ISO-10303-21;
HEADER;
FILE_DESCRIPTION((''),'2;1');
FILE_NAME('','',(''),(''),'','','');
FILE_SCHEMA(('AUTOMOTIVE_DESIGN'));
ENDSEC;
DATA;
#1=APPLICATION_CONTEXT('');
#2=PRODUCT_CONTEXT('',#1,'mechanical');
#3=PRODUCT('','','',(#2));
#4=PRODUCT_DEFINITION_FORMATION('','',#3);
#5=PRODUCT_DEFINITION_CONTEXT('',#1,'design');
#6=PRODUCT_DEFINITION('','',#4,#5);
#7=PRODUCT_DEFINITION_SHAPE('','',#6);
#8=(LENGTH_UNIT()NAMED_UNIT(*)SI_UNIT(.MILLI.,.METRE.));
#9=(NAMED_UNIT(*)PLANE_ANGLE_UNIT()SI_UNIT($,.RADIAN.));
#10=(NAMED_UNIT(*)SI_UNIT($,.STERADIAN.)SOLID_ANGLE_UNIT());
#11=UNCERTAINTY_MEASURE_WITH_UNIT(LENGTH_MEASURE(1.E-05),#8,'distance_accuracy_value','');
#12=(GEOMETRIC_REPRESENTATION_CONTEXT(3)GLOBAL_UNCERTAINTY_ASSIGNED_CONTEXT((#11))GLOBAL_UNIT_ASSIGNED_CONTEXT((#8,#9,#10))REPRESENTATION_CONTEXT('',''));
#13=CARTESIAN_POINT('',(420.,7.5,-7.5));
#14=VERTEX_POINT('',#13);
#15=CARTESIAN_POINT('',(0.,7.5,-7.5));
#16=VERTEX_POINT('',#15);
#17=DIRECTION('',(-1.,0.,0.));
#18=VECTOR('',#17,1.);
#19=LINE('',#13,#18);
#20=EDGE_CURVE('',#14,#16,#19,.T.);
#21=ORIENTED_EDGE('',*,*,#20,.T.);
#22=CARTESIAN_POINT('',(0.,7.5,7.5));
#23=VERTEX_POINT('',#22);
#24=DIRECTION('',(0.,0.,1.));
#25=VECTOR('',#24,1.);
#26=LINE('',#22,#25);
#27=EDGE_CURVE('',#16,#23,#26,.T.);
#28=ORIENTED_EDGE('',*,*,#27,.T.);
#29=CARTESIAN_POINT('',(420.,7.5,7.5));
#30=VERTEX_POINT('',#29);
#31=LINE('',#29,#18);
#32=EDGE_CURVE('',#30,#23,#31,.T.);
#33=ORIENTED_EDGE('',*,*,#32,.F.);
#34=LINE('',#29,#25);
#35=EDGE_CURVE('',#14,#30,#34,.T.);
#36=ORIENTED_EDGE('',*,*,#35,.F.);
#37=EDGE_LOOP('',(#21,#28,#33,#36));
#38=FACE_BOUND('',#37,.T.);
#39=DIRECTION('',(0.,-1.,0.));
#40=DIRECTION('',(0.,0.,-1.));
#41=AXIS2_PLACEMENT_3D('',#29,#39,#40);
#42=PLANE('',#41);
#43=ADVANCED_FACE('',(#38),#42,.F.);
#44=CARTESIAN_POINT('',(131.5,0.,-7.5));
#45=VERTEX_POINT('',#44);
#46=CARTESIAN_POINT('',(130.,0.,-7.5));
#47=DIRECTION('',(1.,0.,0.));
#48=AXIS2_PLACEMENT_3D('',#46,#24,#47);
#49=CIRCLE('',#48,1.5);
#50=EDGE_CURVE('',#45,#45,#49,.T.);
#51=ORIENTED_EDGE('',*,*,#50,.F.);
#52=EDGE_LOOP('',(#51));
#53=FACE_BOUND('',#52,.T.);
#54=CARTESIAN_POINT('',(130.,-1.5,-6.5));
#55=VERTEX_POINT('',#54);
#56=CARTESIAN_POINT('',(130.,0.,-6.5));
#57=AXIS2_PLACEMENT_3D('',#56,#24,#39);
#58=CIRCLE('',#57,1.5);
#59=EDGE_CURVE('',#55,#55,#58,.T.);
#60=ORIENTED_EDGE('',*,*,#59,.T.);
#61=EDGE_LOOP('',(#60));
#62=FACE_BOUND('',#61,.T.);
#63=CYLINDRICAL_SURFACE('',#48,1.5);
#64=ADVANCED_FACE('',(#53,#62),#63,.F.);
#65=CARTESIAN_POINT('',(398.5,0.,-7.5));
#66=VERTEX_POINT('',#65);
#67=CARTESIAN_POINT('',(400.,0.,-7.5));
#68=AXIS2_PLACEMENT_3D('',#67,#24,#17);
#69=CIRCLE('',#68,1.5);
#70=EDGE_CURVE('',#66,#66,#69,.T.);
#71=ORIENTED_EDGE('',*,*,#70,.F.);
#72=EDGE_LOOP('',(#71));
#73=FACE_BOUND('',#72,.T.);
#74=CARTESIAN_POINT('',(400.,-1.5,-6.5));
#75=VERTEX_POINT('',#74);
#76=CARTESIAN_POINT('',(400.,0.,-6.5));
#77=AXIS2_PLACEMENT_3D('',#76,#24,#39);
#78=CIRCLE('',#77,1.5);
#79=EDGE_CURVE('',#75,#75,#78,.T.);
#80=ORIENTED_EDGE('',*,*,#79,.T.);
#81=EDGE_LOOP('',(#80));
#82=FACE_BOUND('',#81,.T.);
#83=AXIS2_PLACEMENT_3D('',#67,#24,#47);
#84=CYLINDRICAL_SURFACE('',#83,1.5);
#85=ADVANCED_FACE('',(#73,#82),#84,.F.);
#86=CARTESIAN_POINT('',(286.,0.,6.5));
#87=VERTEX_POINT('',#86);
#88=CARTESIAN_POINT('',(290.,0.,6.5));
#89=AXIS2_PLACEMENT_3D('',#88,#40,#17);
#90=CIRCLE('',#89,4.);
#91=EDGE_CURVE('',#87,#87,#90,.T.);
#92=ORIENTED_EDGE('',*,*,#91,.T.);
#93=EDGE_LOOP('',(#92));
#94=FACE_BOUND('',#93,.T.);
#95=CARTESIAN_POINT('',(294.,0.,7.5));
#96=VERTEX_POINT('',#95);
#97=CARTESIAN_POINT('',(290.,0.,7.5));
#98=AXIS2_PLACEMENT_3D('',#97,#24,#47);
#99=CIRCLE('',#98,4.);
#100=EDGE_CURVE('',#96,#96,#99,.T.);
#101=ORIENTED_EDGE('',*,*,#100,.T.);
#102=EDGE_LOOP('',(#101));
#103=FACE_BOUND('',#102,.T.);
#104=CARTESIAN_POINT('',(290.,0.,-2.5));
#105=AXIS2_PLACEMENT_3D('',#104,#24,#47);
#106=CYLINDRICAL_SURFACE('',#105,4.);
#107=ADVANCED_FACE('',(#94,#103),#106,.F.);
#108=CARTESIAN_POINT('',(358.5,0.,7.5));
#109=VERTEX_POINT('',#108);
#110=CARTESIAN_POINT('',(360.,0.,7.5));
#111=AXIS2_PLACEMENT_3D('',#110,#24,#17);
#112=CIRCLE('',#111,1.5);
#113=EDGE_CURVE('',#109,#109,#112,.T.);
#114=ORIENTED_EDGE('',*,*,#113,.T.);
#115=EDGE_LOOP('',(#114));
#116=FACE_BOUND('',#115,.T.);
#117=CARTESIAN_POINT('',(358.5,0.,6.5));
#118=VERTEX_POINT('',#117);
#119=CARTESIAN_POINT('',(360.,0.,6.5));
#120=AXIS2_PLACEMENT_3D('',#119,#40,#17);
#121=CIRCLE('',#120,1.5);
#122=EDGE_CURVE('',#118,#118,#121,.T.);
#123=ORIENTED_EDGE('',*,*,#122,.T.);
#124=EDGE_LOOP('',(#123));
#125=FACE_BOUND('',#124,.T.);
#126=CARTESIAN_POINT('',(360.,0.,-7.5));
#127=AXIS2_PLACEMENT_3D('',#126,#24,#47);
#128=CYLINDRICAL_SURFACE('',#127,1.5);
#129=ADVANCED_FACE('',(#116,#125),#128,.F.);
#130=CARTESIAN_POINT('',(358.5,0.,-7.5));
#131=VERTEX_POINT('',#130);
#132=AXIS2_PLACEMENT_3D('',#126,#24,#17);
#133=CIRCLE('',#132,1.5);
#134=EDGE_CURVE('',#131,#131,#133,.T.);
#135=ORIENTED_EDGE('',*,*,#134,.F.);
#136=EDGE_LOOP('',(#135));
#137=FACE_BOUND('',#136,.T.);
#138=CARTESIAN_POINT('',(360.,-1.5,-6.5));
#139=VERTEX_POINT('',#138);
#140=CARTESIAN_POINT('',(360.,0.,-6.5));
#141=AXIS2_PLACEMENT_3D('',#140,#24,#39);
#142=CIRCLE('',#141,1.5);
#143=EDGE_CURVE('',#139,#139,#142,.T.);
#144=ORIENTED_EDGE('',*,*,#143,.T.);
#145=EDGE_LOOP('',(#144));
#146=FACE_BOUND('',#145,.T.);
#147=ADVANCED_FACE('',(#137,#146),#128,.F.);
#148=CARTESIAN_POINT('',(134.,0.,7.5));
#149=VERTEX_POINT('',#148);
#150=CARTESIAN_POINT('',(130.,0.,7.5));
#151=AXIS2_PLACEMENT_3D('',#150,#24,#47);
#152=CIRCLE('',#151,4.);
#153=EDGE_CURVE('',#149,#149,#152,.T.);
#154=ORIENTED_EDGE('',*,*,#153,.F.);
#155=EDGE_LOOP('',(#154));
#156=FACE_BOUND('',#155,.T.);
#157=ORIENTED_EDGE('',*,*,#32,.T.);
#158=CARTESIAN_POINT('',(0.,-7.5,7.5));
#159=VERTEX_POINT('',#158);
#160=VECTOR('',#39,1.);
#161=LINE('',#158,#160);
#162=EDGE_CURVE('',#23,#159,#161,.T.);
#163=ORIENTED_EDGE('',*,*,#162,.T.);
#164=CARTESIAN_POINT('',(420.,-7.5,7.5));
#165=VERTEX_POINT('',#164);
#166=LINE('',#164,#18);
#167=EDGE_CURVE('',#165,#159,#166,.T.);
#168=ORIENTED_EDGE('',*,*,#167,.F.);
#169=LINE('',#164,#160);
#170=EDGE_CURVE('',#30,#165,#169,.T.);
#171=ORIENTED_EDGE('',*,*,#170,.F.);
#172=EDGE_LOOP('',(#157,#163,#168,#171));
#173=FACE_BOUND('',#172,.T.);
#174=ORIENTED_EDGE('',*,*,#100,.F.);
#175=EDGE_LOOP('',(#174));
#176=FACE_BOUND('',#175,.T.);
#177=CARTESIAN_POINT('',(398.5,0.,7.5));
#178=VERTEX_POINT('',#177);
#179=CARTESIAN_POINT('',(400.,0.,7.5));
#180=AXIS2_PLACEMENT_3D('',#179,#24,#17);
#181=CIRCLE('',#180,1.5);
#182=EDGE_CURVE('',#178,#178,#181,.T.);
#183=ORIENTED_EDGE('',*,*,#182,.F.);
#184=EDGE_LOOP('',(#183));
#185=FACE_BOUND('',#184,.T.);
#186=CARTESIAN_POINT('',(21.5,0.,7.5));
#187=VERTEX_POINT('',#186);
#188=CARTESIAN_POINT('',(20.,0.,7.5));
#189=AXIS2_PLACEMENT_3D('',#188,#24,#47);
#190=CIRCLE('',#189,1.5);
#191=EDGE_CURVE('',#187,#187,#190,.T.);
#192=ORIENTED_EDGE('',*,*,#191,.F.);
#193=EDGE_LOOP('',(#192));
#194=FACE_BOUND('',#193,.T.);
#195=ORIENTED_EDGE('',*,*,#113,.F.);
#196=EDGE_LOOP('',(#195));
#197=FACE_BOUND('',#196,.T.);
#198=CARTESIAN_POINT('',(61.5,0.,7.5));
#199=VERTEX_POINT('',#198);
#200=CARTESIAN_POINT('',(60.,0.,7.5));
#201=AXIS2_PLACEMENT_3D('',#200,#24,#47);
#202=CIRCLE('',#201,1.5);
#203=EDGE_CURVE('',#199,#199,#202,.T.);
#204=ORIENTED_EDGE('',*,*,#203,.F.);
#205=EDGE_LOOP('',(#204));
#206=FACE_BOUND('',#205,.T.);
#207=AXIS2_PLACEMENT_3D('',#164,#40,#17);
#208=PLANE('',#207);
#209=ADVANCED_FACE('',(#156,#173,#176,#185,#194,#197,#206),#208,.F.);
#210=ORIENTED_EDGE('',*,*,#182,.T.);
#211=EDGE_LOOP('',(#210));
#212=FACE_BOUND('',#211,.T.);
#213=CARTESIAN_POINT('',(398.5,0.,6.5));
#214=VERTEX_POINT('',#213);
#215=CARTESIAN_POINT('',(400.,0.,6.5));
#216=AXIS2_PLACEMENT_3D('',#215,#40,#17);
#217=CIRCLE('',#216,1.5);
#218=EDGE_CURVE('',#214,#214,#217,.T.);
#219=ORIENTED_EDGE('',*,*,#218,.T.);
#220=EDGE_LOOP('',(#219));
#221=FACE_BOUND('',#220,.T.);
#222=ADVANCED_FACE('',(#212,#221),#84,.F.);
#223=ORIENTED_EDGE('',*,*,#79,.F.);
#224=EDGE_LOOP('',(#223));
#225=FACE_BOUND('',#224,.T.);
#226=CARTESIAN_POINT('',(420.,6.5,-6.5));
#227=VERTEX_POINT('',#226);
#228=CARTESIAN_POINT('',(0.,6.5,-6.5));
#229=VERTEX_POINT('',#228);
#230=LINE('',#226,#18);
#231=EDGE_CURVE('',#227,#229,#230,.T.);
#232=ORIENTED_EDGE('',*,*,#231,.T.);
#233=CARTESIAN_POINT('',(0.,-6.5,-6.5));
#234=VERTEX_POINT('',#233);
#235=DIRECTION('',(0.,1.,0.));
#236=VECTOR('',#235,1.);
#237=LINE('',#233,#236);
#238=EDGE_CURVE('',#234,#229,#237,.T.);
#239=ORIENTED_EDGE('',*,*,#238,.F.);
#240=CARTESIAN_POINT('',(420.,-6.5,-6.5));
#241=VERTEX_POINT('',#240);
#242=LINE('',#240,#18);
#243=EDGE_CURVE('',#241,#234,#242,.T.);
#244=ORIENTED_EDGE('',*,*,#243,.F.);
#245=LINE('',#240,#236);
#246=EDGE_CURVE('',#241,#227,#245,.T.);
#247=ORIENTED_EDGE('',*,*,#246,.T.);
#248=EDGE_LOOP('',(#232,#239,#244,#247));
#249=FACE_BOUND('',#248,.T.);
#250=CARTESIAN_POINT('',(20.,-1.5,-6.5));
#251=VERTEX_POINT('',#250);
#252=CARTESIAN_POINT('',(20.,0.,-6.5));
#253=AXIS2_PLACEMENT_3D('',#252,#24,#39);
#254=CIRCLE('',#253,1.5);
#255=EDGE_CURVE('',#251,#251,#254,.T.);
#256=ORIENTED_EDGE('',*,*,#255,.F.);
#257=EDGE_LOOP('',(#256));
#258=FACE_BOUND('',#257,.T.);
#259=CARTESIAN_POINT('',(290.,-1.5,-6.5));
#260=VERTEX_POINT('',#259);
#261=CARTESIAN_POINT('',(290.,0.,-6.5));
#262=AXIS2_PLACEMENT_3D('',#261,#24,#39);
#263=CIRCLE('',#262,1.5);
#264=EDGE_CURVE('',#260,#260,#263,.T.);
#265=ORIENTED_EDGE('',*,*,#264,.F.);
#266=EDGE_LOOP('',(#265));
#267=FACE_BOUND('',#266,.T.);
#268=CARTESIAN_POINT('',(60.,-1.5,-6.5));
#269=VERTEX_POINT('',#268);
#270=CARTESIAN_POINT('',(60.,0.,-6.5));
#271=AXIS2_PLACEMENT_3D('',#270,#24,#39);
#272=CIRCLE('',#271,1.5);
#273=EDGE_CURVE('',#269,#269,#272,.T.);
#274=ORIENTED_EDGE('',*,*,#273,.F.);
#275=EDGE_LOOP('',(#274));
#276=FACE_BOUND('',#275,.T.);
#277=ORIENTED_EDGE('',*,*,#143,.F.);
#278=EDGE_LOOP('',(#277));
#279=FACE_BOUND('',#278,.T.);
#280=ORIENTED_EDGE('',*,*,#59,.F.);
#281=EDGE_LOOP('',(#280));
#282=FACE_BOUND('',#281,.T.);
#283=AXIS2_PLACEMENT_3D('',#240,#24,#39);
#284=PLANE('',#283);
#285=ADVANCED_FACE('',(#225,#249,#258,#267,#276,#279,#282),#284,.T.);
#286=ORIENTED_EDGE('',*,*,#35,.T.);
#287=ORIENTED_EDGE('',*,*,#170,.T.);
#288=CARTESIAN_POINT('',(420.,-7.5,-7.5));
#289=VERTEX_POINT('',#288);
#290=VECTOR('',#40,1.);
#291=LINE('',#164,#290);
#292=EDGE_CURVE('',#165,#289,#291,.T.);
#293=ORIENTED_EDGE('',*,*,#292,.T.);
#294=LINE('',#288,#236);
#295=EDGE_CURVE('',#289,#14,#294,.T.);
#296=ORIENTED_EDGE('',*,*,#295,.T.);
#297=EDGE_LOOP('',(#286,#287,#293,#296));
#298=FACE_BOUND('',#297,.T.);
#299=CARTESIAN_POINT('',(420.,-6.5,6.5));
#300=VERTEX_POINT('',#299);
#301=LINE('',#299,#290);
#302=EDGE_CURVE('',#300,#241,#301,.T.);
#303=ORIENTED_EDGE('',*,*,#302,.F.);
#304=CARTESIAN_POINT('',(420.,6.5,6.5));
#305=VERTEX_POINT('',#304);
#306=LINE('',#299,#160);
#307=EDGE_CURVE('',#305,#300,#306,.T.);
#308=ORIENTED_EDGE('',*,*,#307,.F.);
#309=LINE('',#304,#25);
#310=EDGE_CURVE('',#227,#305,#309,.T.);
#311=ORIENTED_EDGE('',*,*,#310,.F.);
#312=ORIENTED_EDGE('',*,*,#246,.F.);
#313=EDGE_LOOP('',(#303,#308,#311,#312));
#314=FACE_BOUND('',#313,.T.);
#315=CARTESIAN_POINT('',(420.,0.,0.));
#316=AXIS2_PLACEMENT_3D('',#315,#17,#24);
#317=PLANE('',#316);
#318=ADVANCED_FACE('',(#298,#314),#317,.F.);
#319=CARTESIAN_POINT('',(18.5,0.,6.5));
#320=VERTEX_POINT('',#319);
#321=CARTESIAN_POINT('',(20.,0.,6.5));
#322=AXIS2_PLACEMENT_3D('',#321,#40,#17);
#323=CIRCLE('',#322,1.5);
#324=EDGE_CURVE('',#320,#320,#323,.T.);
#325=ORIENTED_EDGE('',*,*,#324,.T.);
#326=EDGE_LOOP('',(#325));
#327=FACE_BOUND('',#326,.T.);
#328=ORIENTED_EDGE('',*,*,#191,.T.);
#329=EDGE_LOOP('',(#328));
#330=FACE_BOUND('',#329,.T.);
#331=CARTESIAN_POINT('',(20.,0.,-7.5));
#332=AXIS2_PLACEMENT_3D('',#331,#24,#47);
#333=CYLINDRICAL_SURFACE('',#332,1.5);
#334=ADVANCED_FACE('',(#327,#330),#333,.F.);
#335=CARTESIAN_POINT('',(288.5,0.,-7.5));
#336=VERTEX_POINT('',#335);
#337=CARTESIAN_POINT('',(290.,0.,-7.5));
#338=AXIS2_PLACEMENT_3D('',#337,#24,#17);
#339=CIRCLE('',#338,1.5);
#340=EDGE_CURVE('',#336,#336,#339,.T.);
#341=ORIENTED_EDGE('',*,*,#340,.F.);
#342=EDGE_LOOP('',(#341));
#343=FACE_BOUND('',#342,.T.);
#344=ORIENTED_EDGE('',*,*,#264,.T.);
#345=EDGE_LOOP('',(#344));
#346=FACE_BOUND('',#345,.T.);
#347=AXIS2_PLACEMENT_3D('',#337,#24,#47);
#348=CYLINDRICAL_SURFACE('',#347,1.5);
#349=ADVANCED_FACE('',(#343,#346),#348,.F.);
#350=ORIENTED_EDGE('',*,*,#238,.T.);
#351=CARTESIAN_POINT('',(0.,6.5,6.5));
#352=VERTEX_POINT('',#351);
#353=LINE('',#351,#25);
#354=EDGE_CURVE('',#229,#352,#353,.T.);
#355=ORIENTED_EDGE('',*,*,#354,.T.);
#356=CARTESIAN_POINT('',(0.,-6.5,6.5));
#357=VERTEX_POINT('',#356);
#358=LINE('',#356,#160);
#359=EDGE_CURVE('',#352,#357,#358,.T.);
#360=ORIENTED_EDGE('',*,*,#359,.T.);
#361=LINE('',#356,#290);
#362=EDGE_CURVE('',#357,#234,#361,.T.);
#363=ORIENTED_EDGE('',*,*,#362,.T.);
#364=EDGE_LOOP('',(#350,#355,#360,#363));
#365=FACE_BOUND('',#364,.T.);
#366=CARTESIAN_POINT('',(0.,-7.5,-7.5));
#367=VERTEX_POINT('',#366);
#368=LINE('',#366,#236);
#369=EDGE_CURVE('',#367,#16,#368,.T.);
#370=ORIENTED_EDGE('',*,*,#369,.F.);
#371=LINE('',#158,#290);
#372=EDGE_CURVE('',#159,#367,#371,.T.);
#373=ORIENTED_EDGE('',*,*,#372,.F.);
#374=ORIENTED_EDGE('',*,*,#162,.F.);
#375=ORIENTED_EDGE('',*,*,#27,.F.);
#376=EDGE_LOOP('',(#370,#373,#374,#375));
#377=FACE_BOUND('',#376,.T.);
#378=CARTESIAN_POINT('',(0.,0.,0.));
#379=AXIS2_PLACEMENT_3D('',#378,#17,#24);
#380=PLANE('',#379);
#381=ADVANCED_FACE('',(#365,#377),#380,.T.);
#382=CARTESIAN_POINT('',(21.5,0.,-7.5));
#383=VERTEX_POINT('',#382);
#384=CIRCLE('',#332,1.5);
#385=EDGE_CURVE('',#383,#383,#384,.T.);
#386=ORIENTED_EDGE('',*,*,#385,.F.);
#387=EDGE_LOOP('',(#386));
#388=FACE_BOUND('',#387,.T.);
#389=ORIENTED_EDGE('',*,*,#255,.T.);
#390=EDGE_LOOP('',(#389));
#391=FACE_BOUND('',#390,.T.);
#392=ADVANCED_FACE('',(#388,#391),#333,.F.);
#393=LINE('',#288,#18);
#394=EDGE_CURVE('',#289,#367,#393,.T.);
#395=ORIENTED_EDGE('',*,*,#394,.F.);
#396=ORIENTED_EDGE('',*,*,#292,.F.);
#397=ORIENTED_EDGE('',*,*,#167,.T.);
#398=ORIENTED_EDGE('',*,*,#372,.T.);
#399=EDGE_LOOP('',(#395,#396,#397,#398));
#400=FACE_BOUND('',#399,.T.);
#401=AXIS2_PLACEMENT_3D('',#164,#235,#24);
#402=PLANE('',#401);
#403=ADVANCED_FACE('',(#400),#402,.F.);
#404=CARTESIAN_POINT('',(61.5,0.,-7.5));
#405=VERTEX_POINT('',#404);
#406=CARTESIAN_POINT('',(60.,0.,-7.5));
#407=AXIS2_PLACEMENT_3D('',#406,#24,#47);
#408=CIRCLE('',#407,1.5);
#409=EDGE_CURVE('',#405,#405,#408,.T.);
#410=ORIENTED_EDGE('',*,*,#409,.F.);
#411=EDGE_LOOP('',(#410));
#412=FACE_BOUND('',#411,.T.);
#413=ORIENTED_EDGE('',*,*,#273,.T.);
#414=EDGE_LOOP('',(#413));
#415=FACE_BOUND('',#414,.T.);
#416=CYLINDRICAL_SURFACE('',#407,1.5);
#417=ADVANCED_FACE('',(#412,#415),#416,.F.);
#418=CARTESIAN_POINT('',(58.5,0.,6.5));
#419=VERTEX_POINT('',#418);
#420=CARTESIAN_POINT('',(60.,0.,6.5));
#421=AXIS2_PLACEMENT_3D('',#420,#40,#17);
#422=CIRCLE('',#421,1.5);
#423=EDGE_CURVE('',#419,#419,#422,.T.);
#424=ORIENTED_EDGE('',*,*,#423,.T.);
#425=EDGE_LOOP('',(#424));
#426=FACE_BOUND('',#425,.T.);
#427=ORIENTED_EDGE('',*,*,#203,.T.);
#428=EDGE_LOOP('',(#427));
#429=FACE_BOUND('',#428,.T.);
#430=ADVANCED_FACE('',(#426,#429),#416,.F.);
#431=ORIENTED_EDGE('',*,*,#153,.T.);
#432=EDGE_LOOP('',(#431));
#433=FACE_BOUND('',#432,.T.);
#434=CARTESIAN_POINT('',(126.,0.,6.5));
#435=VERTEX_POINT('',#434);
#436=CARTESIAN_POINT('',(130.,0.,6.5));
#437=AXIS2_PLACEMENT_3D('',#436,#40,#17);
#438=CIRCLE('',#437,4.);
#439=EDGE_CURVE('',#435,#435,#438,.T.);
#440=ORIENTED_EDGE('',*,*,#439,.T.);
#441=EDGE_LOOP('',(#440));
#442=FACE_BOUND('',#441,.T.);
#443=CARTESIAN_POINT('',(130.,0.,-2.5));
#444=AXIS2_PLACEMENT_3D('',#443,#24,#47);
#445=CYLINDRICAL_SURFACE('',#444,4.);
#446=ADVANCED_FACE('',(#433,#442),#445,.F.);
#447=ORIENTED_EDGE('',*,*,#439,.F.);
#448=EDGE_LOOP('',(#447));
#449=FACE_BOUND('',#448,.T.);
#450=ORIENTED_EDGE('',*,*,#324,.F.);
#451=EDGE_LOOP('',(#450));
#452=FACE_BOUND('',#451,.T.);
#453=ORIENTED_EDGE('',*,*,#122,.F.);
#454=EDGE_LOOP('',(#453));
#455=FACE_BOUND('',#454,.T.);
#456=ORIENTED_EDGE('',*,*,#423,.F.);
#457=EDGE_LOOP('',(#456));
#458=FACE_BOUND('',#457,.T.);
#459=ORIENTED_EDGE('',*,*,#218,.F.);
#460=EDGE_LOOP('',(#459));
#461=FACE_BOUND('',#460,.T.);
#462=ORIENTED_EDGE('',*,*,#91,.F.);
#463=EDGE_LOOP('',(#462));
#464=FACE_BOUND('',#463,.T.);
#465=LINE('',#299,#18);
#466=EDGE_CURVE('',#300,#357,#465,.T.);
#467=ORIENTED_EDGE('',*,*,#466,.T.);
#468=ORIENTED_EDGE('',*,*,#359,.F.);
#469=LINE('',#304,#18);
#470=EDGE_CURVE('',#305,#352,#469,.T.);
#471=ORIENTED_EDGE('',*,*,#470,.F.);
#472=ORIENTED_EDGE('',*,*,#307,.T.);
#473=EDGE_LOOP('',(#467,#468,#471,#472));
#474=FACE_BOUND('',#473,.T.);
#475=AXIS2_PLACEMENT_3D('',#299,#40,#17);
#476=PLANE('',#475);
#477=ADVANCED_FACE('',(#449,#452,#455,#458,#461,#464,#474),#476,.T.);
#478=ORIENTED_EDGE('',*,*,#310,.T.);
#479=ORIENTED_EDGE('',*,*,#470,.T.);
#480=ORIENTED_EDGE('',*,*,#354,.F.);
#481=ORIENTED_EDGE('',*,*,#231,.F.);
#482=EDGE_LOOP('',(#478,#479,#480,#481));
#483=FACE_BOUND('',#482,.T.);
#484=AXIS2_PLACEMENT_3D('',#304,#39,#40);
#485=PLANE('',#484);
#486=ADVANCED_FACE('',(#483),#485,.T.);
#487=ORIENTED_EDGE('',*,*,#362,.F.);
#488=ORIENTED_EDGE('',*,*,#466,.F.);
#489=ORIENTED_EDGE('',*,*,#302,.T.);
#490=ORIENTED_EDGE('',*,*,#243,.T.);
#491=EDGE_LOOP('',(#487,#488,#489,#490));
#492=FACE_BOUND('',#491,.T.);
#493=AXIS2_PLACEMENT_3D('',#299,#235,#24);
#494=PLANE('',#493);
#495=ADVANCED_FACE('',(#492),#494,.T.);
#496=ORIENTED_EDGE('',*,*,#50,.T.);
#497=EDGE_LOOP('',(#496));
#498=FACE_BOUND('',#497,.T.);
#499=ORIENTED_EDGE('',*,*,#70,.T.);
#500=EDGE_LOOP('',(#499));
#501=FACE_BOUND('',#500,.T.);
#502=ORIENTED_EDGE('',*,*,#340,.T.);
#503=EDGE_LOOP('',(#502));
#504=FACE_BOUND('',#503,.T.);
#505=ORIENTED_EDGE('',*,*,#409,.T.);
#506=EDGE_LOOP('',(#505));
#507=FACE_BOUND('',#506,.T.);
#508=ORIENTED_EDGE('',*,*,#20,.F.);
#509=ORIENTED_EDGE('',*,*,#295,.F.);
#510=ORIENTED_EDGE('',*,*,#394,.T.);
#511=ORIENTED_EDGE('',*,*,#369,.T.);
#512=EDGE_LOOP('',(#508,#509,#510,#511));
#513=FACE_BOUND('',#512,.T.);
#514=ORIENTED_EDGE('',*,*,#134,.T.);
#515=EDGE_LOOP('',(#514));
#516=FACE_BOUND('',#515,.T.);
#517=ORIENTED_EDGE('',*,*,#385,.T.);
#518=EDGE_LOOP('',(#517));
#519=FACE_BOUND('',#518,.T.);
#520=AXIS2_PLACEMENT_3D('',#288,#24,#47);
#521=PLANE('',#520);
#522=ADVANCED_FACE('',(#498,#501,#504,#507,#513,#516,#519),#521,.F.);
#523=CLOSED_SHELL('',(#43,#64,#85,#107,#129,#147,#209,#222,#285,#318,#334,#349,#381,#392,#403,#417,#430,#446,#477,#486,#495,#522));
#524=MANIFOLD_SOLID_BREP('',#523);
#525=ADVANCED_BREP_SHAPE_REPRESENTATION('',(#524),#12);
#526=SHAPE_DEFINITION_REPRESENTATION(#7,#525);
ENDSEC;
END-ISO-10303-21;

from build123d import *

# Parameters (mm, degrees)
SKETCH_1_W          = 15
SKETCH_1_H          = 15
SKETCH_1_W_2        = 13
SKETCH_1_H_2        = 13
EXTRUDE_1_DEPTH     = 420
SKETCH_2_R          = 1.5
CUT_EXTRUDE_1_DEPTH = 421.334688076
SKETCH_3_R          = 4
CUT_EXTRUDE_2_DEPTH = 10


with BuildPart() as part:
    # 草图1 → 凸台-拉伸1 (new body)
    with BuildSketch(Plane(origin=(0, 0, 0), x_dir=(0, 0, -1), z_dir=(1, 0, 0))):
        Rectangle(SKETCH_1_W, SKETCH_1_H)
        Rectangle(SKETCH_1_W_2, SKETCH_1_H_2, mode=Mode.SUBTRACT)
    extrude(amount=EXTRUDE_1_DEPTH)

    # 草图2 → 切除-拉伸1 (cut, through all)
    with BuildSketch(Plane.XY.offset(7.5)):
        with Locations((20, 0)):
            Circle(SKETCH_2_R)
        with Locations((60, 0)):
            Circle(SKETCH_2_R)
        with Locations((130, 0)):
            Circle(SKETCH_2_R)
        with Locations(Location((290, 0, 0), (0, 0, 270))):
            Circle(SKETCH_2_R)
        with Locations(Location((360, 0, 0), (0, 0, 270))):
            Circle(SKETCH_2_R)
        with Locations(Location((400, 0, 0), (0, 0, 270))):
            Circle(SKETCH_2_R)
    extrude(amount=-CUT_EXTRUDE_1_DEPTH, mode=Mode.SUBTRACT)

    # 草图3 → 切除-拉伸2 (cut)
    with BuildSketch(Plane.XY.offset(7.5)):
        with Locations((130, 0)):
            Circle(SKETCH_3_R)
        with Locations((290, 0)):
            Circle(SKETCH_3_R)
    extrude(amount=-CUT_EXTRUDE_2_DEPTH, mode=Mode.SUBTRACT)


solid = part.part
